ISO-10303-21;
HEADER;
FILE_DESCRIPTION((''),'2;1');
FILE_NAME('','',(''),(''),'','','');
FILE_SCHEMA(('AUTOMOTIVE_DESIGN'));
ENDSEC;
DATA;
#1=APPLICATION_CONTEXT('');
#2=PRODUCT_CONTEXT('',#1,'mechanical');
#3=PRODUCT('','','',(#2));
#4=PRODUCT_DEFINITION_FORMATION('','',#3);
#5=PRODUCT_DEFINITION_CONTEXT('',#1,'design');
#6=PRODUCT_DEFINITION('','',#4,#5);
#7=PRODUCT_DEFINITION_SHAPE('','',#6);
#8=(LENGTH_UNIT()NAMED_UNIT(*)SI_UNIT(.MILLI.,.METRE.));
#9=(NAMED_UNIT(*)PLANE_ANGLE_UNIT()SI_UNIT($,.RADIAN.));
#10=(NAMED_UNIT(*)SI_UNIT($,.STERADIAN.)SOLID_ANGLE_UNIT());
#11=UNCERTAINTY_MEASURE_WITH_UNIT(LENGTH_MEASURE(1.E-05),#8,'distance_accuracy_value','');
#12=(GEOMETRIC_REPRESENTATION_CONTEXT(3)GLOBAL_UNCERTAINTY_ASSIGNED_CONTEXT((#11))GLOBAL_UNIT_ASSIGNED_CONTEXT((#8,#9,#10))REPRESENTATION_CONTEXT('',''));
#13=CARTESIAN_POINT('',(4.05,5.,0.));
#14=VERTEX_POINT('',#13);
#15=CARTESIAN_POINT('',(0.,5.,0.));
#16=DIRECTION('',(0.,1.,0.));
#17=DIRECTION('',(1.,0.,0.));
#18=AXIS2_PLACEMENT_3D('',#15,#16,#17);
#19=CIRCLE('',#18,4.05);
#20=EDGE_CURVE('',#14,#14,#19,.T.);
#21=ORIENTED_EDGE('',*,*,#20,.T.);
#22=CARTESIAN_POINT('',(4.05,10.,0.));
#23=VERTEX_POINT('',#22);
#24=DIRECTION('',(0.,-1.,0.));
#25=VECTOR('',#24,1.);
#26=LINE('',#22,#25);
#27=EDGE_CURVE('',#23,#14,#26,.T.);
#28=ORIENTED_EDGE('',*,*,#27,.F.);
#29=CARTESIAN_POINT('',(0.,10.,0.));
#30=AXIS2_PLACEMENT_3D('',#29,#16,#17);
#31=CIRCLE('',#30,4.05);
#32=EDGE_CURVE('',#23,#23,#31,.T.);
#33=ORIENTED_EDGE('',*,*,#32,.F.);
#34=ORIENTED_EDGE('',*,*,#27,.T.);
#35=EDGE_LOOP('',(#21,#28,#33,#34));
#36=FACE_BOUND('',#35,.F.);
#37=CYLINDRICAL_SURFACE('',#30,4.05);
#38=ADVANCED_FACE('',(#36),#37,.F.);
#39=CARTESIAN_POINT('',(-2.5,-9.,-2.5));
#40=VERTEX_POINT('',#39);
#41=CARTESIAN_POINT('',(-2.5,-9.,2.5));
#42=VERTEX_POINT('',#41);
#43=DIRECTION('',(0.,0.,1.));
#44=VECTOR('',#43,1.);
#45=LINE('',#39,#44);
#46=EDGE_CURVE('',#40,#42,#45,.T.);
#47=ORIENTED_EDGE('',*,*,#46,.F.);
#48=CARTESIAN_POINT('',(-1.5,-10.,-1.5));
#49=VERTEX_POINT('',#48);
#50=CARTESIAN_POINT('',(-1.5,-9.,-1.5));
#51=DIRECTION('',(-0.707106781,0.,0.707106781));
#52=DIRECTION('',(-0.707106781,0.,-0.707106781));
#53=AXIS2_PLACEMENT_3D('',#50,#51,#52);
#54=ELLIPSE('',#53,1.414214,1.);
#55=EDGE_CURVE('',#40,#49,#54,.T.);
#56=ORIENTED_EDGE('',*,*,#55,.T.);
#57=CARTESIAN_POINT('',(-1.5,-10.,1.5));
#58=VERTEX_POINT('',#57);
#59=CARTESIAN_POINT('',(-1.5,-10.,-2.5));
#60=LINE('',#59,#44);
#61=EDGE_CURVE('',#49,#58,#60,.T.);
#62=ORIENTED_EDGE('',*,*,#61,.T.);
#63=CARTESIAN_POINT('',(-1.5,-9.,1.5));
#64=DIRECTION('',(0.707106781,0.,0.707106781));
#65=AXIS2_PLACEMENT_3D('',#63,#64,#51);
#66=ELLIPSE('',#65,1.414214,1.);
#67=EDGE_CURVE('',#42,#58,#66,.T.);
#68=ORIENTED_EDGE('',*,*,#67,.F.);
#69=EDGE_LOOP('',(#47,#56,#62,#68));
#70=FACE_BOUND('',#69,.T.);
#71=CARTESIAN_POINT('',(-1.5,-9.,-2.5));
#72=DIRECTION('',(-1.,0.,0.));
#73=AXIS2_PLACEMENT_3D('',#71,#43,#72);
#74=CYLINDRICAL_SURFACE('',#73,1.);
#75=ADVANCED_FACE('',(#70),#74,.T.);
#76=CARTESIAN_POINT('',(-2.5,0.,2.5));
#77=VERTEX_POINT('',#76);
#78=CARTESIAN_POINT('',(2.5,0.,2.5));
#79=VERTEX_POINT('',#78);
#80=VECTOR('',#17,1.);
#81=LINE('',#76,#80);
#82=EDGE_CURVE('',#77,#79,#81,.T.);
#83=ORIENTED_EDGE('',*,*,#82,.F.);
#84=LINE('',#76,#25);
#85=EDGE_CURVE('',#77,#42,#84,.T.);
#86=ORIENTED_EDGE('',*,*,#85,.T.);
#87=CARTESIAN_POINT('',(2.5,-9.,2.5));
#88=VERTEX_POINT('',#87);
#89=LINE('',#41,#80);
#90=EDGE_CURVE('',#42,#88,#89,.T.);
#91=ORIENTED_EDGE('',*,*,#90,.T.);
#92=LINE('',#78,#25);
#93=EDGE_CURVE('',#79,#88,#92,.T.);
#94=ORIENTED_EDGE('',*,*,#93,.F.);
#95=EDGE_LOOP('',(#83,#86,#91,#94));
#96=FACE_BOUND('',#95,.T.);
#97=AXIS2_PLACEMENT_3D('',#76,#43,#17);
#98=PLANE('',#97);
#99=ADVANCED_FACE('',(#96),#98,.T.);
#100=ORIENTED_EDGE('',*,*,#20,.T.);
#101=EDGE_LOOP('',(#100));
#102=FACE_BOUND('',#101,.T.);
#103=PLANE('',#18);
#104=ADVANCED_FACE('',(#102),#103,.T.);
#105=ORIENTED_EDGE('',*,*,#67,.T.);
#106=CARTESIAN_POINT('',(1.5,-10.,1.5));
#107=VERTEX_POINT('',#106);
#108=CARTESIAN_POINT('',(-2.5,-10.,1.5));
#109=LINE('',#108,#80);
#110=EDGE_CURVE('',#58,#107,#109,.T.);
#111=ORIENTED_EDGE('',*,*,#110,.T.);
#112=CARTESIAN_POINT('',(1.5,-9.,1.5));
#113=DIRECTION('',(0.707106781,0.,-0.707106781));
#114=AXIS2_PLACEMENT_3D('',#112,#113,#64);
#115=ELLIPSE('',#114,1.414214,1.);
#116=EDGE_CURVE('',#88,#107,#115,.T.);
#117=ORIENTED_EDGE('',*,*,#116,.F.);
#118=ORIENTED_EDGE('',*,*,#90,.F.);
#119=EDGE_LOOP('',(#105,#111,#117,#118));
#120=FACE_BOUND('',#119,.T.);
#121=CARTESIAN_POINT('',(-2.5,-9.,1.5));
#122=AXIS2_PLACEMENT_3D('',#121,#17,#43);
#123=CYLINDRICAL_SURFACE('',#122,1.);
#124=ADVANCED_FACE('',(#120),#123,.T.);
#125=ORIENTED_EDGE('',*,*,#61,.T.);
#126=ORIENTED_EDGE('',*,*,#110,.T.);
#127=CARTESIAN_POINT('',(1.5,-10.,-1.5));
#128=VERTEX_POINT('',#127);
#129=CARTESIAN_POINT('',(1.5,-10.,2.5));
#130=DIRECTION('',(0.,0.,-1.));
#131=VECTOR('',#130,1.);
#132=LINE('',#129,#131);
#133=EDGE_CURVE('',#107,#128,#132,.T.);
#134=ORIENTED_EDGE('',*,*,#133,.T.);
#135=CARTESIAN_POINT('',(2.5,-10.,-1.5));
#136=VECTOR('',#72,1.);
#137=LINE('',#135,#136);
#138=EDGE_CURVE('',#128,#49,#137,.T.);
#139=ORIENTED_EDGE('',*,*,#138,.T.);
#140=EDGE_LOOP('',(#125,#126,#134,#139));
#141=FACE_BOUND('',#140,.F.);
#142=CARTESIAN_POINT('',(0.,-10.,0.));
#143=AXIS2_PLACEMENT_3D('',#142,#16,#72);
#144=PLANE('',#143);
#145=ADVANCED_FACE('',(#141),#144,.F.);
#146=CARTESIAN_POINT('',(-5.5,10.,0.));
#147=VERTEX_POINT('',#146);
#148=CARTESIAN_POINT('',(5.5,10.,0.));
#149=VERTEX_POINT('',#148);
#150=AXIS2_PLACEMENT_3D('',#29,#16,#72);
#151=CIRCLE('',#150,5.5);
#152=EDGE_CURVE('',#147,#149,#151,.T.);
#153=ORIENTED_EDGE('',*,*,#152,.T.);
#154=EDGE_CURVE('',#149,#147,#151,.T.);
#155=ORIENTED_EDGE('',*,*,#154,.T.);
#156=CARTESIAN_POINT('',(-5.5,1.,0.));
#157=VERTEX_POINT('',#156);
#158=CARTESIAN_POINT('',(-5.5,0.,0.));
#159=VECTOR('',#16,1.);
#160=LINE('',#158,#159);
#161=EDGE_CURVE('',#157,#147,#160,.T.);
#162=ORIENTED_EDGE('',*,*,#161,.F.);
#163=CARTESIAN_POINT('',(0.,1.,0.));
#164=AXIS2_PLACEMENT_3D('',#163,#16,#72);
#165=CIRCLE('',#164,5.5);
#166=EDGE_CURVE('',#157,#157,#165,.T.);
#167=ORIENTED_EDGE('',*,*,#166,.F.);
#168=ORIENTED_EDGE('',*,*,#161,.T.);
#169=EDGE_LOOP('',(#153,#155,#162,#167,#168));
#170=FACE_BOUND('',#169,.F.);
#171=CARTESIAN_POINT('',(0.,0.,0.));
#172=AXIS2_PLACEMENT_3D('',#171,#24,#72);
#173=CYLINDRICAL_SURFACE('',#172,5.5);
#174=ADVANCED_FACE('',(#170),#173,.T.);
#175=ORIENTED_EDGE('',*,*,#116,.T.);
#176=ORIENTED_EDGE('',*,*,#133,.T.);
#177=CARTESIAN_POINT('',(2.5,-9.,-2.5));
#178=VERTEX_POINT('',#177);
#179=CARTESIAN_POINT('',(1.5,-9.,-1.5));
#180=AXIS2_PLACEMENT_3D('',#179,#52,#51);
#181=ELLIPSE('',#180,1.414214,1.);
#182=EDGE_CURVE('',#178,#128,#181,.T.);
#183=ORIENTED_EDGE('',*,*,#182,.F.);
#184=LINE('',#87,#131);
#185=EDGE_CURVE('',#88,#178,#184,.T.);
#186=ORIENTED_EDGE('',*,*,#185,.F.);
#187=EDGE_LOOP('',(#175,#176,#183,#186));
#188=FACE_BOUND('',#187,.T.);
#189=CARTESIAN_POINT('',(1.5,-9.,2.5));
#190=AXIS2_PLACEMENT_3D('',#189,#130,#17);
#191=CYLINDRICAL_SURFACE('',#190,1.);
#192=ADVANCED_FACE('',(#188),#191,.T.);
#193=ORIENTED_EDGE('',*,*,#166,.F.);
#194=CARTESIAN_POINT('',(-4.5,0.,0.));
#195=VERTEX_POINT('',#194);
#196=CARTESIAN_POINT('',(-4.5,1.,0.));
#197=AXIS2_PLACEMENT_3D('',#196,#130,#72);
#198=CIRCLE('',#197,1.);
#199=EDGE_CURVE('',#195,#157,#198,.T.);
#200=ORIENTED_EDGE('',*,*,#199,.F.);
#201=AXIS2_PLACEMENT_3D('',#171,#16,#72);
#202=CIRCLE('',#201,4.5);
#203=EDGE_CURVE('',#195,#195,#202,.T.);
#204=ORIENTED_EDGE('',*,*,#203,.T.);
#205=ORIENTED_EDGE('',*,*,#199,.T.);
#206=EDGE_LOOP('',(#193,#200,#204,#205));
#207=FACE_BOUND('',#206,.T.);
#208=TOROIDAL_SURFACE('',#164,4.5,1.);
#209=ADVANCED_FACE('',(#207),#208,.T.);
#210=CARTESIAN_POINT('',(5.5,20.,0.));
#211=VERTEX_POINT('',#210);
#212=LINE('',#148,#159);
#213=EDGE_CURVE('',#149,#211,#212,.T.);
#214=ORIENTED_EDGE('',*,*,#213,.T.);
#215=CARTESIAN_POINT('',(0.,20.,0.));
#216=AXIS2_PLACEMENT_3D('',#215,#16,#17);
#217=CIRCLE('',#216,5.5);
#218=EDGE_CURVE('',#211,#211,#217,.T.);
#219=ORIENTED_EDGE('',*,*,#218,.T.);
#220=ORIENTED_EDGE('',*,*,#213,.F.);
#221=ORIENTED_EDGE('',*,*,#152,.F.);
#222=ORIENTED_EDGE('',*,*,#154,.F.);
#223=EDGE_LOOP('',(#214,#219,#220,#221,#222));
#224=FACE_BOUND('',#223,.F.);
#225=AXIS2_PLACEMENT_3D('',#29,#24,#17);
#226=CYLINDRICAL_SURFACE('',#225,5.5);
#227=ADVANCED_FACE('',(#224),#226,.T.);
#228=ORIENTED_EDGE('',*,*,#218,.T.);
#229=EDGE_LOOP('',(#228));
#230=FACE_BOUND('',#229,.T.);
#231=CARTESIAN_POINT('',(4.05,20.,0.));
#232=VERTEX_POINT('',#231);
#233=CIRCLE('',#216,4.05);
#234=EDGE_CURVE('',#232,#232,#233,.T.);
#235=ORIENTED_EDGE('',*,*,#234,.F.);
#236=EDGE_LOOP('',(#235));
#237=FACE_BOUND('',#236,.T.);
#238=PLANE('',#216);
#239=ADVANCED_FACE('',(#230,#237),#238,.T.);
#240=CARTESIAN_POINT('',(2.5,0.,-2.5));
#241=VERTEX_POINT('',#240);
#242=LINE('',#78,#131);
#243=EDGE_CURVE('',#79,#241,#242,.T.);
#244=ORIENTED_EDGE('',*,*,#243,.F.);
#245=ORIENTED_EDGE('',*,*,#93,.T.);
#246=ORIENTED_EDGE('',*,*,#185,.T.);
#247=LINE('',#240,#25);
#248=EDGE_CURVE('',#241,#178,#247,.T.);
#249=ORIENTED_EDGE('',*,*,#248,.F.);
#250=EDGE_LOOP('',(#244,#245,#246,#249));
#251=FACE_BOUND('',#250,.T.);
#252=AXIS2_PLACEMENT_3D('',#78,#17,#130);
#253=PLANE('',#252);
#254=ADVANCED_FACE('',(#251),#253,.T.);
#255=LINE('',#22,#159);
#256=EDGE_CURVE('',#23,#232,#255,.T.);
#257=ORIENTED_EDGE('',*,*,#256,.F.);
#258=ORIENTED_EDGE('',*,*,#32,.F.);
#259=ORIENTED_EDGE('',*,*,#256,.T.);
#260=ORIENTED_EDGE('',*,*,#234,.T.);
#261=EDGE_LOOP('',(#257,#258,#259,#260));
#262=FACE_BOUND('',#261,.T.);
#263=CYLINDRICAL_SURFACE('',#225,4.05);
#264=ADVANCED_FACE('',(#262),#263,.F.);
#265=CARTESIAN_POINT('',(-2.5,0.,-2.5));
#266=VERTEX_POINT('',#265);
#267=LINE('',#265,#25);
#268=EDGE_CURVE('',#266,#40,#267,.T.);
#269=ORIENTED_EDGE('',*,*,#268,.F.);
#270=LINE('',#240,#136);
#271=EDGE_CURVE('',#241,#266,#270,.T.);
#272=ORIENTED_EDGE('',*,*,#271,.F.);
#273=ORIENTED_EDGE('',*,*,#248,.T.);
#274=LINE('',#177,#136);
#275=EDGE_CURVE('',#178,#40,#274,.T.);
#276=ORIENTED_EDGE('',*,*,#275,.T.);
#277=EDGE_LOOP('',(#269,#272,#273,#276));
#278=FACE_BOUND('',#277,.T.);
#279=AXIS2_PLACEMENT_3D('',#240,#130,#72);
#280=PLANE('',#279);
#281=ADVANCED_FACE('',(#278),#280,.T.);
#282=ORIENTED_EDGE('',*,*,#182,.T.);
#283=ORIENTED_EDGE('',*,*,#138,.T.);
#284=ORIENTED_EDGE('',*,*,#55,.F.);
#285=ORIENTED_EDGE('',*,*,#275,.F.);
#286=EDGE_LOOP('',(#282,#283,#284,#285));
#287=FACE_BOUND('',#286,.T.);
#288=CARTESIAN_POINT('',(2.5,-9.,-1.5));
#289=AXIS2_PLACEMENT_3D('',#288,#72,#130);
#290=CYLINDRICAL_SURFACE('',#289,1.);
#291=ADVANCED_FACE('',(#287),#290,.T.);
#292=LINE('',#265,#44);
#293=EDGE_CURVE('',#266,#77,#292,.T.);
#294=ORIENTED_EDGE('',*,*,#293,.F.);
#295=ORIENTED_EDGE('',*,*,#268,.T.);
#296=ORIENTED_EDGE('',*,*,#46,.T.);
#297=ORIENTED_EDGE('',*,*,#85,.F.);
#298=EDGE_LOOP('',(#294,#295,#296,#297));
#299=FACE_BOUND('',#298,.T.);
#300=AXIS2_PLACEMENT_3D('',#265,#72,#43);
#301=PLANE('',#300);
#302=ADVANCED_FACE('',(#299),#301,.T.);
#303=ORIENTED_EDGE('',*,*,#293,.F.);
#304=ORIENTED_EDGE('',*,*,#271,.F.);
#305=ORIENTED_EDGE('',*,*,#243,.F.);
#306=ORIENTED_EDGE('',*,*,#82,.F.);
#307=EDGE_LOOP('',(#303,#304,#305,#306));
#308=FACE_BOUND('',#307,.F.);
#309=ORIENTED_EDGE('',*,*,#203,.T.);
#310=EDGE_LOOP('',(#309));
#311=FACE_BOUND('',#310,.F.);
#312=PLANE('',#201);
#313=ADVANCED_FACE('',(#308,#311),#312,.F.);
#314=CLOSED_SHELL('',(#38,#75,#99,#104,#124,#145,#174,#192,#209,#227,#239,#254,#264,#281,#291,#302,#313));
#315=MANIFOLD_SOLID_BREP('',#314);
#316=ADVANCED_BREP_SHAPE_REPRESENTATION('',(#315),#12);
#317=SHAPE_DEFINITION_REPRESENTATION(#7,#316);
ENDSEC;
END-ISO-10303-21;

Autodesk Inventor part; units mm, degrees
ref_plane "YZ Plane" through (0, 0, 0) normal (1, 0, 0) x (0, 1, 0)
ref_plane "XZ Plane" through (0, 0, 0) normal (0, 1, 0) x (-1, 0, 0)
ref_plane "XY Plane" through (0, 0, 0) normal (0, 0, 1) x (1, 0, 0)
sketch "Sketch1" plane through (0, 0, 0) normal (0, 1, 0) x (-1, 0, 0)
  circle A0 centre (0, 0) radius 5.5
  line L0 (2.5, 2.5) -> (-2.5, 2.5)
  line L1 (-2.5, 2.5) -> (-2.5, -2.5)
  line L2 (-2.5, -2.5) -> (2.5, -2.5)
  line L3 (2.5, -2.5) -> (2.5, 2.5)
  line L4 (2.5, 2.5) -> (-2.5, -2.5) construction
  line L5 (-2.5, 2.5) -> (2.5, -2.5) construction
  dimension "d0" = 11
  dimension "d3" = 5
  dimension "d4" = 5
extrude "Extrusion1" add sketch "Sketch1" along normal blind 10 contours A0 | L3 L2 L1 L0
extrude "Extrusion2" add sketch "Sketch1" against normal blind 10 contours L3 L2 L1 L0
fillet "Fillet1" radius 1 4 edges at (0, -10, -2.5) (-2.5, -10, 0) (0, -10, 2.5) (2.5, -10, 0)
fillet "Fillet2" radius 1 1 edges at (5.5, 0, 0)
sketch "Sketch2" plane through (0, 10, 0) normal (0, 1, 0) x (1, 0, 0)
  circle A0 centre (0, 0) radius 4.05
  circle A1 centre (0, 0) radius 5.5
  dimension "d9" = 8.1
  dimension "d10" = 11
extrude "Extrusion3" cut sketch "Sketch2" against normal blind 5 contours A0
sketch "Sketch3" plane through (0, 10, 0) normal (0, 1, 0) x (1, 0, 0)
  point P0 (0, 0)
sketch "Sketch4" plane through (0, 10, 0) normal (0, 1, 0) x (1, 0, 0)
  circle A0 centre (0, 0) radius 5.5
  circle A1 centre (0, 0) radius 4.05
  dimension "d13" = 11
extrude "Extrusion4" add sketch "Sketch4" along normal blind 10
properties part number "nut a"
